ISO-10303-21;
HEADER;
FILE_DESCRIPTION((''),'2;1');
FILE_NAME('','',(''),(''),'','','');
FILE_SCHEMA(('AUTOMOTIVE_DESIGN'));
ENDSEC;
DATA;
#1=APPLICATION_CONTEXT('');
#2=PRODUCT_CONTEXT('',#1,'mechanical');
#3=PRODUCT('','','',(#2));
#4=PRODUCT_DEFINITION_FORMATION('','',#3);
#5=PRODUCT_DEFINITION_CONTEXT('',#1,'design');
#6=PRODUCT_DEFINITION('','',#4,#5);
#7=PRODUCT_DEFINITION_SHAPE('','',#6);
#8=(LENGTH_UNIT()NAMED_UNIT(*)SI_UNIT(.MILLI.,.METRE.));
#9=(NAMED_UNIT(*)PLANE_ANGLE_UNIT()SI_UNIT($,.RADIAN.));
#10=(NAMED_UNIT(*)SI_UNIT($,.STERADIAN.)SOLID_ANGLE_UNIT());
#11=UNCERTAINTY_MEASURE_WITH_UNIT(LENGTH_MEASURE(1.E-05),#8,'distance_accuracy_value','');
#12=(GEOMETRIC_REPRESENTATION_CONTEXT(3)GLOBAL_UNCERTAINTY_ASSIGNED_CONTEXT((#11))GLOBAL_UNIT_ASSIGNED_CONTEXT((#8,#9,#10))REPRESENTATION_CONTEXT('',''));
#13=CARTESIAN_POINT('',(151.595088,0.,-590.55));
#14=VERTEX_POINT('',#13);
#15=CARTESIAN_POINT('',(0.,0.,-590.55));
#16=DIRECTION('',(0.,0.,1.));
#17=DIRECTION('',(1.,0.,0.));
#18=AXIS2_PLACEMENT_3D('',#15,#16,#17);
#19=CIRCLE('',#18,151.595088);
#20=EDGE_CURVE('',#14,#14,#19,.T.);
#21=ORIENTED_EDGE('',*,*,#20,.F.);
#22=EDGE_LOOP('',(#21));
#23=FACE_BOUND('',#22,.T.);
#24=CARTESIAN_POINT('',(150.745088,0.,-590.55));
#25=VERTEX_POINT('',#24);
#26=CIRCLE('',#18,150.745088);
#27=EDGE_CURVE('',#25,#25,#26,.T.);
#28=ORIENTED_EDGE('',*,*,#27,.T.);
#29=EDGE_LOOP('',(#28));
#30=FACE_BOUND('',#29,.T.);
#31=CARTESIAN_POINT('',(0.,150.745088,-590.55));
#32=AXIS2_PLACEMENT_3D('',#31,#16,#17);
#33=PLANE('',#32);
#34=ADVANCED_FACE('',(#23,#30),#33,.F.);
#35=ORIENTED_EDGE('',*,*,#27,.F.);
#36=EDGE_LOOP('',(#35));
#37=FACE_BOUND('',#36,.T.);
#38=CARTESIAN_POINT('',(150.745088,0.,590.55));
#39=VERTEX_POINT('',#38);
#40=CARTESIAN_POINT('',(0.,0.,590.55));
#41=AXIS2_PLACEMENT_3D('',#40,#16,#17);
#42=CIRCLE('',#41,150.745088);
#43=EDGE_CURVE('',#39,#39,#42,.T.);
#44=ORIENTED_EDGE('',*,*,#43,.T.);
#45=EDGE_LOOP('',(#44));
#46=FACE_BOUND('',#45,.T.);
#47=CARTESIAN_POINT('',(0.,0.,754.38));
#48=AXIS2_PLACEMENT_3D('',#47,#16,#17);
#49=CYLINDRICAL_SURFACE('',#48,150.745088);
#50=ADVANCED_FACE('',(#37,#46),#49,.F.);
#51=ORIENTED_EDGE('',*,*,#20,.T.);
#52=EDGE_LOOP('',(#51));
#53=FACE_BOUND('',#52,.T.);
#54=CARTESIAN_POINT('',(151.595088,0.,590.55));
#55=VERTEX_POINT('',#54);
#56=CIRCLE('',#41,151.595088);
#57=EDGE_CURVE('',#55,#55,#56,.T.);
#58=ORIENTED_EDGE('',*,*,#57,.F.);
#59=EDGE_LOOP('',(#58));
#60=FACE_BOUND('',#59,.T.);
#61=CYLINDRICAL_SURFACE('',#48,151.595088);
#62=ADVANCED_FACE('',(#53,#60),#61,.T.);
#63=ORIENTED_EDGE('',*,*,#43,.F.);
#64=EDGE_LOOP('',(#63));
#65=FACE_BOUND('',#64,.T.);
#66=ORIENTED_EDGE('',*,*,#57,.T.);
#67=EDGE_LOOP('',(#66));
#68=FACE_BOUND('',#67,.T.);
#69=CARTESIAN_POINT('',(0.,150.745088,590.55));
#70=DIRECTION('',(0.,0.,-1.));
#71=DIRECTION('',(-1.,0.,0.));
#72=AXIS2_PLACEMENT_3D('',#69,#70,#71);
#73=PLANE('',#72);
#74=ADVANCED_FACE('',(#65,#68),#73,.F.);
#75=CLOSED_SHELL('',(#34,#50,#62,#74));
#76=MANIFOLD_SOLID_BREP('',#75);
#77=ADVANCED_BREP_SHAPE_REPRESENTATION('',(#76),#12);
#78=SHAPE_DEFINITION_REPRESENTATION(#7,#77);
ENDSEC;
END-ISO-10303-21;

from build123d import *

# Parameters (mm, degrees)
SKETCH2_W = 1181.1
SKETCH2_H = 0.85


with BuildPart() as part:
    # Sketch2 → Revolve1 (revolve)
    with BuildSketch(Plane(origin=(0, 0, 0), x_dir=(0, 0, -1), z_dir=(1, 0, 0)), mode=Mode.PRIVATE) as revolve1_sk:
        with Locations((0, 151.170087811)):
            Rectangle(SKETCH2_W, SKETCH2_H)
    revolve(revolve1_sk.sketch.rotate(Axis((0, 0, 754.38), (0, 0, -1)), 90), axis=Axis((0, 0, 754.38), (0, 0, -1)))


solid = part.part
